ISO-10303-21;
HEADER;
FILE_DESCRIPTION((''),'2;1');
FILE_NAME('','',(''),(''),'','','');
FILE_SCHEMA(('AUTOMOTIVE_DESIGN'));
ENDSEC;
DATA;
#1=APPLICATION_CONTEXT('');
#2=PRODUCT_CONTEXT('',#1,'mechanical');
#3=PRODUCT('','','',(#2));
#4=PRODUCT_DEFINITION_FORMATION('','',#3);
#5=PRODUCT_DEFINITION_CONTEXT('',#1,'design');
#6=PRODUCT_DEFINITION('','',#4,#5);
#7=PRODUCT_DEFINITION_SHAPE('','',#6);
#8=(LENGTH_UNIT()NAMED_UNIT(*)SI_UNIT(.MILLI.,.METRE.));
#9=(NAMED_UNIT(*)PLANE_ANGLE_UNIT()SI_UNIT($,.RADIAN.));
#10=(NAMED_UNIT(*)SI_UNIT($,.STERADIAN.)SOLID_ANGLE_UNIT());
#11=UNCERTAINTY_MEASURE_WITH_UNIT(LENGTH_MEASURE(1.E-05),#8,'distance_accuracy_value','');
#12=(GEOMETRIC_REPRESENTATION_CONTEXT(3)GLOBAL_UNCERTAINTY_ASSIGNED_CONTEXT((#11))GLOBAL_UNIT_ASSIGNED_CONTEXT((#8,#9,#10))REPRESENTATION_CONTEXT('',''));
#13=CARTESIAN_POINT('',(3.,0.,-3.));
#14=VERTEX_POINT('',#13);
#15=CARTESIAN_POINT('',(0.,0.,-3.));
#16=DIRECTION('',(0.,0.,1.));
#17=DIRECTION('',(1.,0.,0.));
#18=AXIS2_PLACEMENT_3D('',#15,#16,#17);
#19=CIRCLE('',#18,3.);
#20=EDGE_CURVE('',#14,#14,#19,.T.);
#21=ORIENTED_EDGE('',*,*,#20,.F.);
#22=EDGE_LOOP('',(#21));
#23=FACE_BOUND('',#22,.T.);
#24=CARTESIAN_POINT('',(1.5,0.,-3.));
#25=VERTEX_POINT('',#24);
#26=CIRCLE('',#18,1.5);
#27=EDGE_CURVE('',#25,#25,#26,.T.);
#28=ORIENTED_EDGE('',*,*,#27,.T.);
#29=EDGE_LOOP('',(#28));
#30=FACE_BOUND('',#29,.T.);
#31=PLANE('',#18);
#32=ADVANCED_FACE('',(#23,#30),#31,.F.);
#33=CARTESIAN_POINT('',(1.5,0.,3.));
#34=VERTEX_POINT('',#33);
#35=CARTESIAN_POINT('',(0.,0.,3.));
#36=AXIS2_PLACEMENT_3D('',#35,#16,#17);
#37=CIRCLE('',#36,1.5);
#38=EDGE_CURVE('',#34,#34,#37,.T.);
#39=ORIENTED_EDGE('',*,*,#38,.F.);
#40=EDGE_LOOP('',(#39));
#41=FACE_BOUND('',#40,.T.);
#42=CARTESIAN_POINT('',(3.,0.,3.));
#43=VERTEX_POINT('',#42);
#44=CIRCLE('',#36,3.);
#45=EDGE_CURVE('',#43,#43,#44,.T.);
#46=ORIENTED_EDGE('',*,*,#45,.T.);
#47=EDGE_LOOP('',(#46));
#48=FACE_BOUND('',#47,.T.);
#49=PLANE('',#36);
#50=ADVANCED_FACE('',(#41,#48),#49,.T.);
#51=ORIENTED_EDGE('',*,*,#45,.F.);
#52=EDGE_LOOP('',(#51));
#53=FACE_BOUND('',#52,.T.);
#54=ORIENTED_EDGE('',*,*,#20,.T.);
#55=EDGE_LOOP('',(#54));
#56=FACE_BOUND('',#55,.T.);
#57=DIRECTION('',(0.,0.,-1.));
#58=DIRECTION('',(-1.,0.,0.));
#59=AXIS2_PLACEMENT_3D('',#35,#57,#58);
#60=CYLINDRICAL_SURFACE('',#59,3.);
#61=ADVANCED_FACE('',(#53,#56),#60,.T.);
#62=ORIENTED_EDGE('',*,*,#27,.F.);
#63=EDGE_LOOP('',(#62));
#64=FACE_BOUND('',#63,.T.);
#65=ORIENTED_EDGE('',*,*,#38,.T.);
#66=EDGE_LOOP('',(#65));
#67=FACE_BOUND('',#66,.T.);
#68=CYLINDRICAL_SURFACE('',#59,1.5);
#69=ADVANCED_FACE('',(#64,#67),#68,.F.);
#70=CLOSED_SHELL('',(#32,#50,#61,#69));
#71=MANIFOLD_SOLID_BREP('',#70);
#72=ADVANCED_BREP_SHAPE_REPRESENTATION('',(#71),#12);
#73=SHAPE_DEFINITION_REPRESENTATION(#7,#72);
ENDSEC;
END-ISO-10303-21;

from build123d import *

# Parameters (mm, degrees)
SKETCH_1_R      = 3
SKETCH_1_R_2    = 1.5
EXTRUDE_1_DEPTH = 3


with BuildPart() as part:
    # 草图1 → 凸台-拉伸1 (new, symmetric)
    with BuildSketch(Plane.XY):
        Circle(SKETCH_1_R)
        Circle(SKETCH_1_R_2, mode=Mode.SUBTRACT)
    extrude(amount=EXTRUDE_1_DEPTH, both=True)


solid = part.part
